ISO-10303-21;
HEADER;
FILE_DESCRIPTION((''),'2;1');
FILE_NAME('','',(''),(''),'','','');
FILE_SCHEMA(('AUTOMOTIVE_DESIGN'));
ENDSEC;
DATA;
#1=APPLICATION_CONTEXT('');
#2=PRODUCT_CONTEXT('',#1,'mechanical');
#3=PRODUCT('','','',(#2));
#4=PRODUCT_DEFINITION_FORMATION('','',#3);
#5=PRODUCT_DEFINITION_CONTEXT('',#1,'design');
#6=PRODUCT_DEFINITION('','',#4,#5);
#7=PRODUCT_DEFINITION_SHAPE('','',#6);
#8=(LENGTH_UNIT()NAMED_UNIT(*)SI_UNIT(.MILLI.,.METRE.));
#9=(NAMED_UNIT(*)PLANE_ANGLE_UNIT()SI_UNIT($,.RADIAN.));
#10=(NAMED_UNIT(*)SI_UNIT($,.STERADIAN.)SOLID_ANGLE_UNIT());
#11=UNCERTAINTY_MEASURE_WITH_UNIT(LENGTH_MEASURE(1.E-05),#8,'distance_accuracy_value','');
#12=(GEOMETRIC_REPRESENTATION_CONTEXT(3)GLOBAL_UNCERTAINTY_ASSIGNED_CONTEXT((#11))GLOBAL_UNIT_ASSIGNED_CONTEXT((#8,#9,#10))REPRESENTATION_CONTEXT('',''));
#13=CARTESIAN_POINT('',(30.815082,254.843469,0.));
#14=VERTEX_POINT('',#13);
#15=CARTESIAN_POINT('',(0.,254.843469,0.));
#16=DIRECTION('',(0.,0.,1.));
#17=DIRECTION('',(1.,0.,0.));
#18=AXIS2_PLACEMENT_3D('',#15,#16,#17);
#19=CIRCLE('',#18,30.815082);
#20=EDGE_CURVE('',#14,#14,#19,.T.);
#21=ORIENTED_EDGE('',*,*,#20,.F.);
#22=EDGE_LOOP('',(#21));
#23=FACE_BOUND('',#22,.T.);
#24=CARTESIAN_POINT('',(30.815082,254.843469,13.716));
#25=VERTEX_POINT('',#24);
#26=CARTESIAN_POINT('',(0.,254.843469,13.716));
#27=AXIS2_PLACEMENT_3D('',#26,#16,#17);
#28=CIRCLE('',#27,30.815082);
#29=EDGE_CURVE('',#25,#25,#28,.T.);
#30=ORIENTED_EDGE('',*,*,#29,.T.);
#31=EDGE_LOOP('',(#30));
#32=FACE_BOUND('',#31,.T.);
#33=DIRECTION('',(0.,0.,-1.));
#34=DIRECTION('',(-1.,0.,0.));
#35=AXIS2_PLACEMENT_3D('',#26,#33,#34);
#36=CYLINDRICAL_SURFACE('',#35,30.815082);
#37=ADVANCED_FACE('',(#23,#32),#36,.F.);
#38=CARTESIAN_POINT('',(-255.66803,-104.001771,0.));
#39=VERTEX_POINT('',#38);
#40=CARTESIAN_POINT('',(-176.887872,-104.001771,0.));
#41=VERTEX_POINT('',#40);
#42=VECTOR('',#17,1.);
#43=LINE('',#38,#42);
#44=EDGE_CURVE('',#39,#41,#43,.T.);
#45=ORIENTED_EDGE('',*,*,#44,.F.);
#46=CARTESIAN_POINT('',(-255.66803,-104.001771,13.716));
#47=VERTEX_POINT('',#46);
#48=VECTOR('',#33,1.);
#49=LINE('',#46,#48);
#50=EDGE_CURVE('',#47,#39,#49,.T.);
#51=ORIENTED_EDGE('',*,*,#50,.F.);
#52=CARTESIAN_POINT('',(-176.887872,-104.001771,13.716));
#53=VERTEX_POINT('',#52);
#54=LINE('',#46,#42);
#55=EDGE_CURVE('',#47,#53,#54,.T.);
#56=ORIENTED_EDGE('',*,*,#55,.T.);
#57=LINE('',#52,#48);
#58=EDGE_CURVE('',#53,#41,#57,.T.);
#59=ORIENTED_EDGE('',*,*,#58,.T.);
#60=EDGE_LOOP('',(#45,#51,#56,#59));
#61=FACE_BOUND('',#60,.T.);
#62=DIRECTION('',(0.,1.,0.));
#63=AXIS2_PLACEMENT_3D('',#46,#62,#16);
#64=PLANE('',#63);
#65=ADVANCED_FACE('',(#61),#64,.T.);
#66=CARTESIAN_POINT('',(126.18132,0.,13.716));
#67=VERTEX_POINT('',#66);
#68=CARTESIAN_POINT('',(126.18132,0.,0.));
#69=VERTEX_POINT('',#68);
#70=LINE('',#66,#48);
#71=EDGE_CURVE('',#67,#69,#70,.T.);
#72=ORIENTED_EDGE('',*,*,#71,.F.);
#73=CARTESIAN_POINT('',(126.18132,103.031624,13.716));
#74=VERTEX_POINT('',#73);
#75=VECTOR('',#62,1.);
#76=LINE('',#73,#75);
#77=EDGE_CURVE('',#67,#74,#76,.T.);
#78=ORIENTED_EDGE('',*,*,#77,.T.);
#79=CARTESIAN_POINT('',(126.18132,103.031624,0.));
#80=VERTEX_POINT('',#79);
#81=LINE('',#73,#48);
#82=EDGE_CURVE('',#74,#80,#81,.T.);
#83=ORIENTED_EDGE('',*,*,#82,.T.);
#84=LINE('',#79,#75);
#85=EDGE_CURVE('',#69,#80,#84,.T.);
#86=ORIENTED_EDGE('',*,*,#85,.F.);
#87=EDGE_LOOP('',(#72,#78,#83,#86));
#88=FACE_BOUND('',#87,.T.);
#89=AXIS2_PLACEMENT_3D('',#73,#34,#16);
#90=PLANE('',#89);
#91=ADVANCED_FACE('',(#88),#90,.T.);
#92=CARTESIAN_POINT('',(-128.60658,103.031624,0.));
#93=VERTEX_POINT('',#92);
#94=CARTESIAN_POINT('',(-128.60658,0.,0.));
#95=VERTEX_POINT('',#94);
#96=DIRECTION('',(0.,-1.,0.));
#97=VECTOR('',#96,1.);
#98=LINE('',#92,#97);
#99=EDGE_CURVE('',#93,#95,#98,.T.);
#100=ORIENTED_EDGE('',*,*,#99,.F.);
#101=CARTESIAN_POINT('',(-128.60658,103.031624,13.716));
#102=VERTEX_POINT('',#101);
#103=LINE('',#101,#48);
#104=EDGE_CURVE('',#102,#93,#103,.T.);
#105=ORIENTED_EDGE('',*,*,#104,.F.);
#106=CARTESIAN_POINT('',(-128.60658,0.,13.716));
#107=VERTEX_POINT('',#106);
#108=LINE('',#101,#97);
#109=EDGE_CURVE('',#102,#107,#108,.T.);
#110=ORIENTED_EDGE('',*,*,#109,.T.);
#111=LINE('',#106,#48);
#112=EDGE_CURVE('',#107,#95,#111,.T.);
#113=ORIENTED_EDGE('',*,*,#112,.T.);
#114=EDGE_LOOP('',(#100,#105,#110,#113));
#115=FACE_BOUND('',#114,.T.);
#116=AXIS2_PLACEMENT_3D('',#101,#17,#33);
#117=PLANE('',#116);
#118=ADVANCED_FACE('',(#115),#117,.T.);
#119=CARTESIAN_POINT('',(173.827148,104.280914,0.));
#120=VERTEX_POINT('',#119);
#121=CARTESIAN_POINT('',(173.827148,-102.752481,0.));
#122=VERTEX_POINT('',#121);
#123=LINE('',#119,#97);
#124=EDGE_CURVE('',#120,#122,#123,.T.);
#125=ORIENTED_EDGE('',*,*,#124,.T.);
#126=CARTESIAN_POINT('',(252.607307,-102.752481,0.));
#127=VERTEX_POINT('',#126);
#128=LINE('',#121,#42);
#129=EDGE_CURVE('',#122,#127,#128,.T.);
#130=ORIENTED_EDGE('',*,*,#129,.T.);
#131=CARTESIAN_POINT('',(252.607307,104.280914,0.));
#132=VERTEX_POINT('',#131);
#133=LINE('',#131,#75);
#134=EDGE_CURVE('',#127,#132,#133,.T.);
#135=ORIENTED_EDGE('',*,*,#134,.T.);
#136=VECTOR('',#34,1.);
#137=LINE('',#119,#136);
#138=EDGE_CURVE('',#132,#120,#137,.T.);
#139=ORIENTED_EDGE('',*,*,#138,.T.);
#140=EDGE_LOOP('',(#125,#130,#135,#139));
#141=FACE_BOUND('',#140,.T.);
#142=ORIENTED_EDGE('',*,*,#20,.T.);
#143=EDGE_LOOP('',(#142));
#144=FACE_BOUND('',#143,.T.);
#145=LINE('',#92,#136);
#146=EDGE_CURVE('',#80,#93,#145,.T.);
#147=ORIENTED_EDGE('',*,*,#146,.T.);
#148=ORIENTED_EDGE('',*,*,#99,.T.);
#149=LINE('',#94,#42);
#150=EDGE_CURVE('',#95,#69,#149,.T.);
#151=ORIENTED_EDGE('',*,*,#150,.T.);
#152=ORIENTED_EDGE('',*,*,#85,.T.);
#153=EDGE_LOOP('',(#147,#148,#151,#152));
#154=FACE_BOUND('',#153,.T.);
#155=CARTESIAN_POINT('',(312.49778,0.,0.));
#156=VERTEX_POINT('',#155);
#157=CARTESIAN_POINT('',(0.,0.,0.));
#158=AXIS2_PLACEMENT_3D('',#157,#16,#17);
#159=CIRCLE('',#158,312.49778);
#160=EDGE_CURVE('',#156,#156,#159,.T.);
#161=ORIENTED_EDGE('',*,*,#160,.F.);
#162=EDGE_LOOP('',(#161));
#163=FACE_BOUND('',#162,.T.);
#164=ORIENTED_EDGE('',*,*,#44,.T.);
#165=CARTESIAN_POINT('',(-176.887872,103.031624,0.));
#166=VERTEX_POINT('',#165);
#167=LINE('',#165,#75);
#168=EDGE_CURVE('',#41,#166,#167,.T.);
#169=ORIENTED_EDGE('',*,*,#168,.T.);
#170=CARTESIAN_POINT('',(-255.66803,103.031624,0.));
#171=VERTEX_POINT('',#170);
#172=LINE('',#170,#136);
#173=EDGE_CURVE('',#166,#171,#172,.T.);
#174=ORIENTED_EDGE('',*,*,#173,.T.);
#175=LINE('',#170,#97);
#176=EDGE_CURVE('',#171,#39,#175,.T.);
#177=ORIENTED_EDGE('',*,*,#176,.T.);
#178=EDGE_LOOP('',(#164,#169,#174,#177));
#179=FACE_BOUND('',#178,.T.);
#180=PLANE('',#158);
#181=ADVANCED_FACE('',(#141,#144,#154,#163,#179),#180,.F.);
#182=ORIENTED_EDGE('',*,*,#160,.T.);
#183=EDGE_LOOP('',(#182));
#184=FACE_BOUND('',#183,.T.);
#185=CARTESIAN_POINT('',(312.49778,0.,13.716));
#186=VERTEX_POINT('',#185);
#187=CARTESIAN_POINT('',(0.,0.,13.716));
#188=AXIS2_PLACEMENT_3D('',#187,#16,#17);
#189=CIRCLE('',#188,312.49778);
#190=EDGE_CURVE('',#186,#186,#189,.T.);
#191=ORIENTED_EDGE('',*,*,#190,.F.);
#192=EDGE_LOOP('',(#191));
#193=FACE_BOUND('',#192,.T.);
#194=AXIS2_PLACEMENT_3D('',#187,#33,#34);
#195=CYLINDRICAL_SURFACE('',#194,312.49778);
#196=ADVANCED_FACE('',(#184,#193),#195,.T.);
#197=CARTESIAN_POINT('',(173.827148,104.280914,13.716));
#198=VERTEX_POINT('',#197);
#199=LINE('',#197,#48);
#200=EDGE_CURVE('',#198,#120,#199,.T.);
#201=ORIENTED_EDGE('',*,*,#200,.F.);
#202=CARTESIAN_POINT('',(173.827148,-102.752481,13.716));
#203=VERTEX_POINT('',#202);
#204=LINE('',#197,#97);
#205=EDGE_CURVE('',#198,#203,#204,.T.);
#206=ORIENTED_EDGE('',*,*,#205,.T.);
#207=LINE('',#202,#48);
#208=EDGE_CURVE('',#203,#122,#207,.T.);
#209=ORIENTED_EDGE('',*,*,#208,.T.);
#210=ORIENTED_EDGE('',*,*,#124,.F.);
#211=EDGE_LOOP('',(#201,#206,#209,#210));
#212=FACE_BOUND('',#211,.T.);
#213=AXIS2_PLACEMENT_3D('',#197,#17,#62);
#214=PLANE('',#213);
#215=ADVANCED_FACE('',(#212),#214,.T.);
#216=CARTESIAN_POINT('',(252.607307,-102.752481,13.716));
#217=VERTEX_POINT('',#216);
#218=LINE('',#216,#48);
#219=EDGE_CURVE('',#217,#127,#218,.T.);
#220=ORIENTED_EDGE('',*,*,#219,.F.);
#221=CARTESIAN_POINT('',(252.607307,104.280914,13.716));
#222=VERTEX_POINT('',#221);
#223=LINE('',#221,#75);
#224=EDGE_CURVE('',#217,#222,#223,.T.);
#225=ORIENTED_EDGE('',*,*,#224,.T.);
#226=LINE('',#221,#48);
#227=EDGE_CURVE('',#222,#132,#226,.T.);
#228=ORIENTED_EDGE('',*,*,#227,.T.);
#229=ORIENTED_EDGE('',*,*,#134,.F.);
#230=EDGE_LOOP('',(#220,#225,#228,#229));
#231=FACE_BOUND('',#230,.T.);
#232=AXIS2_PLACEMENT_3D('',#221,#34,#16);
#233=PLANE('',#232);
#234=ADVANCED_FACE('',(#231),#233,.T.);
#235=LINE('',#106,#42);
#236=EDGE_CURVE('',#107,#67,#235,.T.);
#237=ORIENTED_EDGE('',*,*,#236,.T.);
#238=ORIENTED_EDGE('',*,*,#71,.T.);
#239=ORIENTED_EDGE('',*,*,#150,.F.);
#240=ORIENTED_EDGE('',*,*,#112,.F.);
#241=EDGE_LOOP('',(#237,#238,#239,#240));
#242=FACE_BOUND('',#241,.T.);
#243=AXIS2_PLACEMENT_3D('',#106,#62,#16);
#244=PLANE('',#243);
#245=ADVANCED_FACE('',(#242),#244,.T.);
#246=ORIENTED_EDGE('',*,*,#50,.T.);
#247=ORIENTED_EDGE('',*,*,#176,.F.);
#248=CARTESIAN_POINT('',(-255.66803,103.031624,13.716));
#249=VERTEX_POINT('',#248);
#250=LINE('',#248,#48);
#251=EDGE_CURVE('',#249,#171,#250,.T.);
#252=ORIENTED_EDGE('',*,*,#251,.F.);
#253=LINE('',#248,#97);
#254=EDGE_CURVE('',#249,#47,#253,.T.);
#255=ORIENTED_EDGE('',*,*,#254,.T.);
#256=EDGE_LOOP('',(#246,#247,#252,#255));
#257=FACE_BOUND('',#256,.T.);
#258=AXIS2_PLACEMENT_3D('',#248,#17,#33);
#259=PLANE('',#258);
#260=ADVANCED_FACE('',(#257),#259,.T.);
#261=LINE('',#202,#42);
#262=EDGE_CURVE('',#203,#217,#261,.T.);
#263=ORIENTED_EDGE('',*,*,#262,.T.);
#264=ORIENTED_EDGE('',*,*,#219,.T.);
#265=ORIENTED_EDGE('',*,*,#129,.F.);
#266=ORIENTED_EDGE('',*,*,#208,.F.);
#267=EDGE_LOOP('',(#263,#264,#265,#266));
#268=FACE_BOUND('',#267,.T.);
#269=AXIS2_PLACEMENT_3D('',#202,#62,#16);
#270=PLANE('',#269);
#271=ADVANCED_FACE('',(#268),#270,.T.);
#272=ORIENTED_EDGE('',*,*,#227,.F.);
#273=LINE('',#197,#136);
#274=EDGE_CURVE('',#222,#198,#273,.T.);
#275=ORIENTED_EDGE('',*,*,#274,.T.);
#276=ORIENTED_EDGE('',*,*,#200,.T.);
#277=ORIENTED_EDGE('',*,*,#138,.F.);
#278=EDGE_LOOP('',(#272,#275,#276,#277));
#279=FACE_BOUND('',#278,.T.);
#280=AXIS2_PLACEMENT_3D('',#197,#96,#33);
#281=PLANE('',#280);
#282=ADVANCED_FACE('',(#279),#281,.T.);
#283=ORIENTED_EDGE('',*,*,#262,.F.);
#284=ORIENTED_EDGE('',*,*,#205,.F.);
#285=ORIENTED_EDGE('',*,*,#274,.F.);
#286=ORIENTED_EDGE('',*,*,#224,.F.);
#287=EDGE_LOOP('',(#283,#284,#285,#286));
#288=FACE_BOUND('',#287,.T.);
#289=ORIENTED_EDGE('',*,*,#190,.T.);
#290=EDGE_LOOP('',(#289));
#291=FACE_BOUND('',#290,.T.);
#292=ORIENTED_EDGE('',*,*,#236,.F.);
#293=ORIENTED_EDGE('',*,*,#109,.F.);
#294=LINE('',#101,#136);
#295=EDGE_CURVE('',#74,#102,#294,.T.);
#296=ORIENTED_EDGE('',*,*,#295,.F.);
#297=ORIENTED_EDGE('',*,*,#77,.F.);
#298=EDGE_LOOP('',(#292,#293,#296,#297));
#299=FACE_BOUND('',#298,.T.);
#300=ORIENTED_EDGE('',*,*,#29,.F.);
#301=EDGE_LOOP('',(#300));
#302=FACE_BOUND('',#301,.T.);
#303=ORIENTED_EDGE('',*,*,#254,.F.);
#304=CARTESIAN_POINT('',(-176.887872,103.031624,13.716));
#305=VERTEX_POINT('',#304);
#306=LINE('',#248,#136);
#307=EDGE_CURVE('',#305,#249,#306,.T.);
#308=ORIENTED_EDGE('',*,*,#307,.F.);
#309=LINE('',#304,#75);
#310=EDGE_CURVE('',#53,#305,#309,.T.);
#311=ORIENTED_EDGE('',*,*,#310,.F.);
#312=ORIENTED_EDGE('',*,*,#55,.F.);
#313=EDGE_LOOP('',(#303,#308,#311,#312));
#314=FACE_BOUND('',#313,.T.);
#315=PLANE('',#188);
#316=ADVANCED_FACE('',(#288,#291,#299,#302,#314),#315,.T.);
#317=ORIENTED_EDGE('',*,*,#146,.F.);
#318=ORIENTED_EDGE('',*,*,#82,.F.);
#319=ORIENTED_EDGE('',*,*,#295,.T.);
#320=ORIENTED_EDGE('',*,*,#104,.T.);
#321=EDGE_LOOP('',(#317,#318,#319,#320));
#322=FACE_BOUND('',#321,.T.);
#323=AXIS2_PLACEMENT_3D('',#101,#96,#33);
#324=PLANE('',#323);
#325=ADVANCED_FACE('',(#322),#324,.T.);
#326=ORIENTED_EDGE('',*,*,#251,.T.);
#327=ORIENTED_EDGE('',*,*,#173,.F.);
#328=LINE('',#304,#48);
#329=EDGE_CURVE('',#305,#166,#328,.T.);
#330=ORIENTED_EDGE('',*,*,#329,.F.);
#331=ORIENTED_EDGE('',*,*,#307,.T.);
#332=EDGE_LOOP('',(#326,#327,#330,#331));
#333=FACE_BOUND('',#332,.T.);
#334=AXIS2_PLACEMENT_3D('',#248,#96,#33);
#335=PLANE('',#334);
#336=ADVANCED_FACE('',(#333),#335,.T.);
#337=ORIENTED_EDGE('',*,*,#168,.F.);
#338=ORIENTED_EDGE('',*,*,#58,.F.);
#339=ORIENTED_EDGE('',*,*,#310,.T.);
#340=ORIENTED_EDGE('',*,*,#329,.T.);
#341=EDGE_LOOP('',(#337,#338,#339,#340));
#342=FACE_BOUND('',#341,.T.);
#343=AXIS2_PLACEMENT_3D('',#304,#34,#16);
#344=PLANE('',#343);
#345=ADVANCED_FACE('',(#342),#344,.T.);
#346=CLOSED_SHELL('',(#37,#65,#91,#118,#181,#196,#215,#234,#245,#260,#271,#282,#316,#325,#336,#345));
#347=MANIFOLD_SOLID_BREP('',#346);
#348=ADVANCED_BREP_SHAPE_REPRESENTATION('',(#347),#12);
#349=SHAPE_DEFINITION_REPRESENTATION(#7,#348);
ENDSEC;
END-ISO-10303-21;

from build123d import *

# Parameters (mm, degrees)
SKETCH1_R           = 312.497780416
SKETCH1_R_2         = 30.815082176
SKETCH1_W           = 78.780158854
SKETCH1_H           = 207.033394325
SKETCH1_H_2         = 207.033394324
SKETCH1_W_2         = 254.787899309
SKETCH1_H_3         = 103.031623715
BOSS_EXTRUDE1_DEPTH = 13.716


with BuildPart() as part:
    # Sketch1 → Boss-Extrude1 (new body)
    with BuildSketch(Plane.XY):
        Circle(SKETCH1_R)
        with Locations((0, 254.843469114)):
            Circle(SKETCH1_R_2, mode=Mode.SUBTRACT)
        with Locations((213.217227107, 0.764216519)):
            Rectangle(SKETCH1_W, SKETCH1_H, mode=Mode.SUBTRACT)
        with Locations((-216.277951012, -0.485073447)):
            Rectangle(SKETCH1_W, SKETCH1_H_2, mode=Mode.SUBTRACT)
        with Locations((-1.212629894, 51.515811858)):
            Rectangle(SKETCH1_W_2, SKETCH1_H_3, mode=Mode.SUBTRACT)
    extrude(amount=BOSS_EXTRUDE1_DEPTH)


solid = part.part
